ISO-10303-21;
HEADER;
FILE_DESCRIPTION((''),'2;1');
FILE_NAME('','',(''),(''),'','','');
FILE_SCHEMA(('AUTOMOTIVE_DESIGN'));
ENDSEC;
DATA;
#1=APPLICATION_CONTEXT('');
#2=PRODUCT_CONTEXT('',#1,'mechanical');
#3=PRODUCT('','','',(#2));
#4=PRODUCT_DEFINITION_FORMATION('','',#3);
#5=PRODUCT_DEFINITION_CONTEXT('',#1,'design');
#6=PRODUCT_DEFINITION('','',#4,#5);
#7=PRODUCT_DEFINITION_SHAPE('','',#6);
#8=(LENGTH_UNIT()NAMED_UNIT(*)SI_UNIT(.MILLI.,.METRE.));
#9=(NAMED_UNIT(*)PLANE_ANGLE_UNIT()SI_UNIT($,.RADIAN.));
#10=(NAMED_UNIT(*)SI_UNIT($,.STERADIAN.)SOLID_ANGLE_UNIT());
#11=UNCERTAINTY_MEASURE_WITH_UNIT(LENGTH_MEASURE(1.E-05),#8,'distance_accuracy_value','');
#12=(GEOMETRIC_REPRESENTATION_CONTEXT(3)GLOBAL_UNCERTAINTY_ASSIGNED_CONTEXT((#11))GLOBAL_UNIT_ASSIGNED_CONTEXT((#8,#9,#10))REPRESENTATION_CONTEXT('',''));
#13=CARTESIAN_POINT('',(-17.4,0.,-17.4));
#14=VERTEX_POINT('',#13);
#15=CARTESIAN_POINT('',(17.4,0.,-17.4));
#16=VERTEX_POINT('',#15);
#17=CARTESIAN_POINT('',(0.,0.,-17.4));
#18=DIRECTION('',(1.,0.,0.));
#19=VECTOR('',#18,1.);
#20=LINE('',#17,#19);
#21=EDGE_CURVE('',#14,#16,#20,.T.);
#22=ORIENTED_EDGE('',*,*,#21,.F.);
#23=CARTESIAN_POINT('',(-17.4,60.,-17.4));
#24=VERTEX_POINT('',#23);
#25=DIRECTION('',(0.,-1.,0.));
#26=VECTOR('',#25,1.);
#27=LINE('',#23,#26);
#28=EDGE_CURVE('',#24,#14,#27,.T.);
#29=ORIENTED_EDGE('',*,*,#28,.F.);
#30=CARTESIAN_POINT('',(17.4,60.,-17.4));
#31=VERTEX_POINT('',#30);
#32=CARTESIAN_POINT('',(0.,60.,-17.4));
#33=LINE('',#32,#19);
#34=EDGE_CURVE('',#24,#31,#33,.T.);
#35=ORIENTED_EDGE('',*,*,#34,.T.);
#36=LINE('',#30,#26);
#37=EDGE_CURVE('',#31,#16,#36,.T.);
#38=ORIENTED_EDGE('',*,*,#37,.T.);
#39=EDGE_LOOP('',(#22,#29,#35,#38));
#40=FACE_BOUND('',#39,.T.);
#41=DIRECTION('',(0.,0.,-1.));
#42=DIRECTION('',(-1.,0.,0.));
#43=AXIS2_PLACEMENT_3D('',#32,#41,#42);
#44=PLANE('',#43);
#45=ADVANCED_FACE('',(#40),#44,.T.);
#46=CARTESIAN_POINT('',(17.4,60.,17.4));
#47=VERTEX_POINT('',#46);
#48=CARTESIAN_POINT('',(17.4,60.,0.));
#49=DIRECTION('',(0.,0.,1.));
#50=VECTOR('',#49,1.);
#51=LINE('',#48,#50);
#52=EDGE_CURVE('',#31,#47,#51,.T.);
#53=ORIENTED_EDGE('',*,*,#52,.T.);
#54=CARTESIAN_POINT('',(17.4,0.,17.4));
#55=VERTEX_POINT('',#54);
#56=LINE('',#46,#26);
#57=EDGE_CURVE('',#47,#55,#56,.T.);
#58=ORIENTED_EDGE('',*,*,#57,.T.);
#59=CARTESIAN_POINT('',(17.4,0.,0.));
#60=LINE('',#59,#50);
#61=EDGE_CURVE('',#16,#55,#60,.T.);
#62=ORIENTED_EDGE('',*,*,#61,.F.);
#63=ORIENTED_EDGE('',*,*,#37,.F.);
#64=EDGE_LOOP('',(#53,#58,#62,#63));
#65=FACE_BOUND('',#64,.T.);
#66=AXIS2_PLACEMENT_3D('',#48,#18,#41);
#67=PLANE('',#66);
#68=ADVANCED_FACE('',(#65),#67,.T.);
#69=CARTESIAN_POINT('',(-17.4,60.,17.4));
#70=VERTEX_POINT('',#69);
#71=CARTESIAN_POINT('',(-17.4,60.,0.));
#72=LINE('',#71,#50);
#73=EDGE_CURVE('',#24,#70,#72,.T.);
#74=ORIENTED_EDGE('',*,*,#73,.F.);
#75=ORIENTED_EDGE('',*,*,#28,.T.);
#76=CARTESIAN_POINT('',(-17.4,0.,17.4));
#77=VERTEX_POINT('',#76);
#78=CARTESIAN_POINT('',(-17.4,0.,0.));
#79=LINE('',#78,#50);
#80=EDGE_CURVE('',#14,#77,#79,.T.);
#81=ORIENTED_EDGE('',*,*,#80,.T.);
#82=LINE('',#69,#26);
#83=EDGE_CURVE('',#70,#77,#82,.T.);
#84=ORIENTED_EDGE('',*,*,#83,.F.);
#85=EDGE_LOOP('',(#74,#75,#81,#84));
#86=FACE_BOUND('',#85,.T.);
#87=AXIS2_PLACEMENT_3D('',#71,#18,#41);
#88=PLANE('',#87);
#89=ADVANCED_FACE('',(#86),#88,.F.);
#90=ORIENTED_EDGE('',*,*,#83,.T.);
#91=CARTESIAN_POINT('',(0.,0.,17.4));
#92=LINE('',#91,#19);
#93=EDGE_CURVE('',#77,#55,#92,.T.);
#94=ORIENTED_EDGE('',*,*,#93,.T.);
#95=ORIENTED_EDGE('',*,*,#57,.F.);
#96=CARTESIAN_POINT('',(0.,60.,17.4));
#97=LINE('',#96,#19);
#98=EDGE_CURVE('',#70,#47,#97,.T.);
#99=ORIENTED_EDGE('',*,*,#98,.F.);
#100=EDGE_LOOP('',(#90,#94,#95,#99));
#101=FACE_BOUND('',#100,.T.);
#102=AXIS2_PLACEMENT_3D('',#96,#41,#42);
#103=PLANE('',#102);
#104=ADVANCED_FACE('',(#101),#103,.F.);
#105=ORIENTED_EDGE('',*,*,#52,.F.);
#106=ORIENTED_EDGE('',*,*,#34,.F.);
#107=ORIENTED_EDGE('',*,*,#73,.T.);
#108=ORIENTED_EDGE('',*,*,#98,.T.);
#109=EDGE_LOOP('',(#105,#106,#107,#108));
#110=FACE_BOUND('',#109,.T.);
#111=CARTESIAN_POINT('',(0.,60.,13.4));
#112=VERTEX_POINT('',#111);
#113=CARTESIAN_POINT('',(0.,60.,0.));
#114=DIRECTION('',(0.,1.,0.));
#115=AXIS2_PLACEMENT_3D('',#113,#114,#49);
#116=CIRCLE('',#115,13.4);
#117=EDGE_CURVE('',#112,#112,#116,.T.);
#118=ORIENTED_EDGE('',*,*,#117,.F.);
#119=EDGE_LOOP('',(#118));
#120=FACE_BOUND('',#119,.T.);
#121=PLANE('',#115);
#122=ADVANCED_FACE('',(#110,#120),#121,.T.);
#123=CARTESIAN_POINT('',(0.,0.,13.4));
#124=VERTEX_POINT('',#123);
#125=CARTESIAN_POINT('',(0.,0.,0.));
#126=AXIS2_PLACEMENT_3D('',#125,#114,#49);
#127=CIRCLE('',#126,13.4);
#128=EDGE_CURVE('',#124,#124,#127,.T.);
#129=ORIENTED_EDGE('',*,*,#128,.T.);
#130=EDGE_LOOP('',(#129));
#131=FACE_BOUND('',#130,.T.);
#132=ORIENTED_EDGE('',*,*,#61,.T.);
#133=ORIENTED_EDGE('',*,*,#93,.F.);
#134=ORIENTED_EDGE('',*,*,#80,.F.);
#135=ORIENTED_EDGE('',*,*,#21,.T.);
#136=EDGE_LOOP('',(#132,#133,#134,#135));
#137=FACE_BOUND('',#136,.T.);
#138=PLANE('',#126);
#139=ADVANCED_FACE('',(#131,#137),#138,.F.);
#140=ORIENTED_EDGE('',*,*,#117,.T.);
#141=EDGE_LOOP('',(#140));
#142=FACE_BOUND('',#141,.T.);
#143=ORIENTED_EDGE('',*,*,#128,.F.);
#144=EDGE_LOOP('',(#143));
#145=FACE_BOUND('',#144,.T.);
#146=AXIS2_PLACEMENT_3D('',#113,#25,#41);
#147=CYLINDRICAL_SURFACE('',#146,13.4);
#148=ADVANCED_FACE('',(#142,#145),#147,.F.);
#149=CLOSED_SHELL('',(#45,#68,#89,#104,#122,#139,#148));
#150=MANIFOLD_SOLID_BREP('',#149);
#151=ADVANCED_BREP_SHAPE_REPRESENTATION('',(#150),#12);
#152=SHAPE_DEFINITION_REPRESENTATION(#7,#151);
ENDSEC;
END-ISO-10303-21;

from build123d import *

# Parameters (mm, degrees)
SKETCH1_W           = 34.8
SKETCH1_H           = 34.8
SKETCH1_R           = 13.4
BOSS_EXTRUDE1_DEPTH = 60


with BuildPart() as part:
    # Sketch1 → Boss-Extrude1 (new body)
    with BuildSketch(Plane(origin=(0, 0, 0), x_dir=(1, 0, 0), z_dir=(0, 1, 0))):
        Rectangle(SKETCH1_W, SKETCH1_H)
        with Locations(Location((0, 0, 0), (0, 0, 270))):
            Circle(SKETCH1_R, mode=Mode.SUBTRACT)
    boss_extrude1 = extrude(amount=BOSS_EXTRUDE1_DEPTH)


with BuildPart() as mirror2_1:
    # Mirror2: Boss-Extrude1 across Right Plane
    add(boss_extrude1.mirror(Plane(origin=(0, 0, 0), x_dir=(0, 0, -1), z_dir=(1, 0, 0))))


with BuildPart() as part_1:
    add(part.part)

    # Mirror2 united with what the copies touc: union Mirror2_1
    add(mirror2_1.part)


solid = part_1.part
